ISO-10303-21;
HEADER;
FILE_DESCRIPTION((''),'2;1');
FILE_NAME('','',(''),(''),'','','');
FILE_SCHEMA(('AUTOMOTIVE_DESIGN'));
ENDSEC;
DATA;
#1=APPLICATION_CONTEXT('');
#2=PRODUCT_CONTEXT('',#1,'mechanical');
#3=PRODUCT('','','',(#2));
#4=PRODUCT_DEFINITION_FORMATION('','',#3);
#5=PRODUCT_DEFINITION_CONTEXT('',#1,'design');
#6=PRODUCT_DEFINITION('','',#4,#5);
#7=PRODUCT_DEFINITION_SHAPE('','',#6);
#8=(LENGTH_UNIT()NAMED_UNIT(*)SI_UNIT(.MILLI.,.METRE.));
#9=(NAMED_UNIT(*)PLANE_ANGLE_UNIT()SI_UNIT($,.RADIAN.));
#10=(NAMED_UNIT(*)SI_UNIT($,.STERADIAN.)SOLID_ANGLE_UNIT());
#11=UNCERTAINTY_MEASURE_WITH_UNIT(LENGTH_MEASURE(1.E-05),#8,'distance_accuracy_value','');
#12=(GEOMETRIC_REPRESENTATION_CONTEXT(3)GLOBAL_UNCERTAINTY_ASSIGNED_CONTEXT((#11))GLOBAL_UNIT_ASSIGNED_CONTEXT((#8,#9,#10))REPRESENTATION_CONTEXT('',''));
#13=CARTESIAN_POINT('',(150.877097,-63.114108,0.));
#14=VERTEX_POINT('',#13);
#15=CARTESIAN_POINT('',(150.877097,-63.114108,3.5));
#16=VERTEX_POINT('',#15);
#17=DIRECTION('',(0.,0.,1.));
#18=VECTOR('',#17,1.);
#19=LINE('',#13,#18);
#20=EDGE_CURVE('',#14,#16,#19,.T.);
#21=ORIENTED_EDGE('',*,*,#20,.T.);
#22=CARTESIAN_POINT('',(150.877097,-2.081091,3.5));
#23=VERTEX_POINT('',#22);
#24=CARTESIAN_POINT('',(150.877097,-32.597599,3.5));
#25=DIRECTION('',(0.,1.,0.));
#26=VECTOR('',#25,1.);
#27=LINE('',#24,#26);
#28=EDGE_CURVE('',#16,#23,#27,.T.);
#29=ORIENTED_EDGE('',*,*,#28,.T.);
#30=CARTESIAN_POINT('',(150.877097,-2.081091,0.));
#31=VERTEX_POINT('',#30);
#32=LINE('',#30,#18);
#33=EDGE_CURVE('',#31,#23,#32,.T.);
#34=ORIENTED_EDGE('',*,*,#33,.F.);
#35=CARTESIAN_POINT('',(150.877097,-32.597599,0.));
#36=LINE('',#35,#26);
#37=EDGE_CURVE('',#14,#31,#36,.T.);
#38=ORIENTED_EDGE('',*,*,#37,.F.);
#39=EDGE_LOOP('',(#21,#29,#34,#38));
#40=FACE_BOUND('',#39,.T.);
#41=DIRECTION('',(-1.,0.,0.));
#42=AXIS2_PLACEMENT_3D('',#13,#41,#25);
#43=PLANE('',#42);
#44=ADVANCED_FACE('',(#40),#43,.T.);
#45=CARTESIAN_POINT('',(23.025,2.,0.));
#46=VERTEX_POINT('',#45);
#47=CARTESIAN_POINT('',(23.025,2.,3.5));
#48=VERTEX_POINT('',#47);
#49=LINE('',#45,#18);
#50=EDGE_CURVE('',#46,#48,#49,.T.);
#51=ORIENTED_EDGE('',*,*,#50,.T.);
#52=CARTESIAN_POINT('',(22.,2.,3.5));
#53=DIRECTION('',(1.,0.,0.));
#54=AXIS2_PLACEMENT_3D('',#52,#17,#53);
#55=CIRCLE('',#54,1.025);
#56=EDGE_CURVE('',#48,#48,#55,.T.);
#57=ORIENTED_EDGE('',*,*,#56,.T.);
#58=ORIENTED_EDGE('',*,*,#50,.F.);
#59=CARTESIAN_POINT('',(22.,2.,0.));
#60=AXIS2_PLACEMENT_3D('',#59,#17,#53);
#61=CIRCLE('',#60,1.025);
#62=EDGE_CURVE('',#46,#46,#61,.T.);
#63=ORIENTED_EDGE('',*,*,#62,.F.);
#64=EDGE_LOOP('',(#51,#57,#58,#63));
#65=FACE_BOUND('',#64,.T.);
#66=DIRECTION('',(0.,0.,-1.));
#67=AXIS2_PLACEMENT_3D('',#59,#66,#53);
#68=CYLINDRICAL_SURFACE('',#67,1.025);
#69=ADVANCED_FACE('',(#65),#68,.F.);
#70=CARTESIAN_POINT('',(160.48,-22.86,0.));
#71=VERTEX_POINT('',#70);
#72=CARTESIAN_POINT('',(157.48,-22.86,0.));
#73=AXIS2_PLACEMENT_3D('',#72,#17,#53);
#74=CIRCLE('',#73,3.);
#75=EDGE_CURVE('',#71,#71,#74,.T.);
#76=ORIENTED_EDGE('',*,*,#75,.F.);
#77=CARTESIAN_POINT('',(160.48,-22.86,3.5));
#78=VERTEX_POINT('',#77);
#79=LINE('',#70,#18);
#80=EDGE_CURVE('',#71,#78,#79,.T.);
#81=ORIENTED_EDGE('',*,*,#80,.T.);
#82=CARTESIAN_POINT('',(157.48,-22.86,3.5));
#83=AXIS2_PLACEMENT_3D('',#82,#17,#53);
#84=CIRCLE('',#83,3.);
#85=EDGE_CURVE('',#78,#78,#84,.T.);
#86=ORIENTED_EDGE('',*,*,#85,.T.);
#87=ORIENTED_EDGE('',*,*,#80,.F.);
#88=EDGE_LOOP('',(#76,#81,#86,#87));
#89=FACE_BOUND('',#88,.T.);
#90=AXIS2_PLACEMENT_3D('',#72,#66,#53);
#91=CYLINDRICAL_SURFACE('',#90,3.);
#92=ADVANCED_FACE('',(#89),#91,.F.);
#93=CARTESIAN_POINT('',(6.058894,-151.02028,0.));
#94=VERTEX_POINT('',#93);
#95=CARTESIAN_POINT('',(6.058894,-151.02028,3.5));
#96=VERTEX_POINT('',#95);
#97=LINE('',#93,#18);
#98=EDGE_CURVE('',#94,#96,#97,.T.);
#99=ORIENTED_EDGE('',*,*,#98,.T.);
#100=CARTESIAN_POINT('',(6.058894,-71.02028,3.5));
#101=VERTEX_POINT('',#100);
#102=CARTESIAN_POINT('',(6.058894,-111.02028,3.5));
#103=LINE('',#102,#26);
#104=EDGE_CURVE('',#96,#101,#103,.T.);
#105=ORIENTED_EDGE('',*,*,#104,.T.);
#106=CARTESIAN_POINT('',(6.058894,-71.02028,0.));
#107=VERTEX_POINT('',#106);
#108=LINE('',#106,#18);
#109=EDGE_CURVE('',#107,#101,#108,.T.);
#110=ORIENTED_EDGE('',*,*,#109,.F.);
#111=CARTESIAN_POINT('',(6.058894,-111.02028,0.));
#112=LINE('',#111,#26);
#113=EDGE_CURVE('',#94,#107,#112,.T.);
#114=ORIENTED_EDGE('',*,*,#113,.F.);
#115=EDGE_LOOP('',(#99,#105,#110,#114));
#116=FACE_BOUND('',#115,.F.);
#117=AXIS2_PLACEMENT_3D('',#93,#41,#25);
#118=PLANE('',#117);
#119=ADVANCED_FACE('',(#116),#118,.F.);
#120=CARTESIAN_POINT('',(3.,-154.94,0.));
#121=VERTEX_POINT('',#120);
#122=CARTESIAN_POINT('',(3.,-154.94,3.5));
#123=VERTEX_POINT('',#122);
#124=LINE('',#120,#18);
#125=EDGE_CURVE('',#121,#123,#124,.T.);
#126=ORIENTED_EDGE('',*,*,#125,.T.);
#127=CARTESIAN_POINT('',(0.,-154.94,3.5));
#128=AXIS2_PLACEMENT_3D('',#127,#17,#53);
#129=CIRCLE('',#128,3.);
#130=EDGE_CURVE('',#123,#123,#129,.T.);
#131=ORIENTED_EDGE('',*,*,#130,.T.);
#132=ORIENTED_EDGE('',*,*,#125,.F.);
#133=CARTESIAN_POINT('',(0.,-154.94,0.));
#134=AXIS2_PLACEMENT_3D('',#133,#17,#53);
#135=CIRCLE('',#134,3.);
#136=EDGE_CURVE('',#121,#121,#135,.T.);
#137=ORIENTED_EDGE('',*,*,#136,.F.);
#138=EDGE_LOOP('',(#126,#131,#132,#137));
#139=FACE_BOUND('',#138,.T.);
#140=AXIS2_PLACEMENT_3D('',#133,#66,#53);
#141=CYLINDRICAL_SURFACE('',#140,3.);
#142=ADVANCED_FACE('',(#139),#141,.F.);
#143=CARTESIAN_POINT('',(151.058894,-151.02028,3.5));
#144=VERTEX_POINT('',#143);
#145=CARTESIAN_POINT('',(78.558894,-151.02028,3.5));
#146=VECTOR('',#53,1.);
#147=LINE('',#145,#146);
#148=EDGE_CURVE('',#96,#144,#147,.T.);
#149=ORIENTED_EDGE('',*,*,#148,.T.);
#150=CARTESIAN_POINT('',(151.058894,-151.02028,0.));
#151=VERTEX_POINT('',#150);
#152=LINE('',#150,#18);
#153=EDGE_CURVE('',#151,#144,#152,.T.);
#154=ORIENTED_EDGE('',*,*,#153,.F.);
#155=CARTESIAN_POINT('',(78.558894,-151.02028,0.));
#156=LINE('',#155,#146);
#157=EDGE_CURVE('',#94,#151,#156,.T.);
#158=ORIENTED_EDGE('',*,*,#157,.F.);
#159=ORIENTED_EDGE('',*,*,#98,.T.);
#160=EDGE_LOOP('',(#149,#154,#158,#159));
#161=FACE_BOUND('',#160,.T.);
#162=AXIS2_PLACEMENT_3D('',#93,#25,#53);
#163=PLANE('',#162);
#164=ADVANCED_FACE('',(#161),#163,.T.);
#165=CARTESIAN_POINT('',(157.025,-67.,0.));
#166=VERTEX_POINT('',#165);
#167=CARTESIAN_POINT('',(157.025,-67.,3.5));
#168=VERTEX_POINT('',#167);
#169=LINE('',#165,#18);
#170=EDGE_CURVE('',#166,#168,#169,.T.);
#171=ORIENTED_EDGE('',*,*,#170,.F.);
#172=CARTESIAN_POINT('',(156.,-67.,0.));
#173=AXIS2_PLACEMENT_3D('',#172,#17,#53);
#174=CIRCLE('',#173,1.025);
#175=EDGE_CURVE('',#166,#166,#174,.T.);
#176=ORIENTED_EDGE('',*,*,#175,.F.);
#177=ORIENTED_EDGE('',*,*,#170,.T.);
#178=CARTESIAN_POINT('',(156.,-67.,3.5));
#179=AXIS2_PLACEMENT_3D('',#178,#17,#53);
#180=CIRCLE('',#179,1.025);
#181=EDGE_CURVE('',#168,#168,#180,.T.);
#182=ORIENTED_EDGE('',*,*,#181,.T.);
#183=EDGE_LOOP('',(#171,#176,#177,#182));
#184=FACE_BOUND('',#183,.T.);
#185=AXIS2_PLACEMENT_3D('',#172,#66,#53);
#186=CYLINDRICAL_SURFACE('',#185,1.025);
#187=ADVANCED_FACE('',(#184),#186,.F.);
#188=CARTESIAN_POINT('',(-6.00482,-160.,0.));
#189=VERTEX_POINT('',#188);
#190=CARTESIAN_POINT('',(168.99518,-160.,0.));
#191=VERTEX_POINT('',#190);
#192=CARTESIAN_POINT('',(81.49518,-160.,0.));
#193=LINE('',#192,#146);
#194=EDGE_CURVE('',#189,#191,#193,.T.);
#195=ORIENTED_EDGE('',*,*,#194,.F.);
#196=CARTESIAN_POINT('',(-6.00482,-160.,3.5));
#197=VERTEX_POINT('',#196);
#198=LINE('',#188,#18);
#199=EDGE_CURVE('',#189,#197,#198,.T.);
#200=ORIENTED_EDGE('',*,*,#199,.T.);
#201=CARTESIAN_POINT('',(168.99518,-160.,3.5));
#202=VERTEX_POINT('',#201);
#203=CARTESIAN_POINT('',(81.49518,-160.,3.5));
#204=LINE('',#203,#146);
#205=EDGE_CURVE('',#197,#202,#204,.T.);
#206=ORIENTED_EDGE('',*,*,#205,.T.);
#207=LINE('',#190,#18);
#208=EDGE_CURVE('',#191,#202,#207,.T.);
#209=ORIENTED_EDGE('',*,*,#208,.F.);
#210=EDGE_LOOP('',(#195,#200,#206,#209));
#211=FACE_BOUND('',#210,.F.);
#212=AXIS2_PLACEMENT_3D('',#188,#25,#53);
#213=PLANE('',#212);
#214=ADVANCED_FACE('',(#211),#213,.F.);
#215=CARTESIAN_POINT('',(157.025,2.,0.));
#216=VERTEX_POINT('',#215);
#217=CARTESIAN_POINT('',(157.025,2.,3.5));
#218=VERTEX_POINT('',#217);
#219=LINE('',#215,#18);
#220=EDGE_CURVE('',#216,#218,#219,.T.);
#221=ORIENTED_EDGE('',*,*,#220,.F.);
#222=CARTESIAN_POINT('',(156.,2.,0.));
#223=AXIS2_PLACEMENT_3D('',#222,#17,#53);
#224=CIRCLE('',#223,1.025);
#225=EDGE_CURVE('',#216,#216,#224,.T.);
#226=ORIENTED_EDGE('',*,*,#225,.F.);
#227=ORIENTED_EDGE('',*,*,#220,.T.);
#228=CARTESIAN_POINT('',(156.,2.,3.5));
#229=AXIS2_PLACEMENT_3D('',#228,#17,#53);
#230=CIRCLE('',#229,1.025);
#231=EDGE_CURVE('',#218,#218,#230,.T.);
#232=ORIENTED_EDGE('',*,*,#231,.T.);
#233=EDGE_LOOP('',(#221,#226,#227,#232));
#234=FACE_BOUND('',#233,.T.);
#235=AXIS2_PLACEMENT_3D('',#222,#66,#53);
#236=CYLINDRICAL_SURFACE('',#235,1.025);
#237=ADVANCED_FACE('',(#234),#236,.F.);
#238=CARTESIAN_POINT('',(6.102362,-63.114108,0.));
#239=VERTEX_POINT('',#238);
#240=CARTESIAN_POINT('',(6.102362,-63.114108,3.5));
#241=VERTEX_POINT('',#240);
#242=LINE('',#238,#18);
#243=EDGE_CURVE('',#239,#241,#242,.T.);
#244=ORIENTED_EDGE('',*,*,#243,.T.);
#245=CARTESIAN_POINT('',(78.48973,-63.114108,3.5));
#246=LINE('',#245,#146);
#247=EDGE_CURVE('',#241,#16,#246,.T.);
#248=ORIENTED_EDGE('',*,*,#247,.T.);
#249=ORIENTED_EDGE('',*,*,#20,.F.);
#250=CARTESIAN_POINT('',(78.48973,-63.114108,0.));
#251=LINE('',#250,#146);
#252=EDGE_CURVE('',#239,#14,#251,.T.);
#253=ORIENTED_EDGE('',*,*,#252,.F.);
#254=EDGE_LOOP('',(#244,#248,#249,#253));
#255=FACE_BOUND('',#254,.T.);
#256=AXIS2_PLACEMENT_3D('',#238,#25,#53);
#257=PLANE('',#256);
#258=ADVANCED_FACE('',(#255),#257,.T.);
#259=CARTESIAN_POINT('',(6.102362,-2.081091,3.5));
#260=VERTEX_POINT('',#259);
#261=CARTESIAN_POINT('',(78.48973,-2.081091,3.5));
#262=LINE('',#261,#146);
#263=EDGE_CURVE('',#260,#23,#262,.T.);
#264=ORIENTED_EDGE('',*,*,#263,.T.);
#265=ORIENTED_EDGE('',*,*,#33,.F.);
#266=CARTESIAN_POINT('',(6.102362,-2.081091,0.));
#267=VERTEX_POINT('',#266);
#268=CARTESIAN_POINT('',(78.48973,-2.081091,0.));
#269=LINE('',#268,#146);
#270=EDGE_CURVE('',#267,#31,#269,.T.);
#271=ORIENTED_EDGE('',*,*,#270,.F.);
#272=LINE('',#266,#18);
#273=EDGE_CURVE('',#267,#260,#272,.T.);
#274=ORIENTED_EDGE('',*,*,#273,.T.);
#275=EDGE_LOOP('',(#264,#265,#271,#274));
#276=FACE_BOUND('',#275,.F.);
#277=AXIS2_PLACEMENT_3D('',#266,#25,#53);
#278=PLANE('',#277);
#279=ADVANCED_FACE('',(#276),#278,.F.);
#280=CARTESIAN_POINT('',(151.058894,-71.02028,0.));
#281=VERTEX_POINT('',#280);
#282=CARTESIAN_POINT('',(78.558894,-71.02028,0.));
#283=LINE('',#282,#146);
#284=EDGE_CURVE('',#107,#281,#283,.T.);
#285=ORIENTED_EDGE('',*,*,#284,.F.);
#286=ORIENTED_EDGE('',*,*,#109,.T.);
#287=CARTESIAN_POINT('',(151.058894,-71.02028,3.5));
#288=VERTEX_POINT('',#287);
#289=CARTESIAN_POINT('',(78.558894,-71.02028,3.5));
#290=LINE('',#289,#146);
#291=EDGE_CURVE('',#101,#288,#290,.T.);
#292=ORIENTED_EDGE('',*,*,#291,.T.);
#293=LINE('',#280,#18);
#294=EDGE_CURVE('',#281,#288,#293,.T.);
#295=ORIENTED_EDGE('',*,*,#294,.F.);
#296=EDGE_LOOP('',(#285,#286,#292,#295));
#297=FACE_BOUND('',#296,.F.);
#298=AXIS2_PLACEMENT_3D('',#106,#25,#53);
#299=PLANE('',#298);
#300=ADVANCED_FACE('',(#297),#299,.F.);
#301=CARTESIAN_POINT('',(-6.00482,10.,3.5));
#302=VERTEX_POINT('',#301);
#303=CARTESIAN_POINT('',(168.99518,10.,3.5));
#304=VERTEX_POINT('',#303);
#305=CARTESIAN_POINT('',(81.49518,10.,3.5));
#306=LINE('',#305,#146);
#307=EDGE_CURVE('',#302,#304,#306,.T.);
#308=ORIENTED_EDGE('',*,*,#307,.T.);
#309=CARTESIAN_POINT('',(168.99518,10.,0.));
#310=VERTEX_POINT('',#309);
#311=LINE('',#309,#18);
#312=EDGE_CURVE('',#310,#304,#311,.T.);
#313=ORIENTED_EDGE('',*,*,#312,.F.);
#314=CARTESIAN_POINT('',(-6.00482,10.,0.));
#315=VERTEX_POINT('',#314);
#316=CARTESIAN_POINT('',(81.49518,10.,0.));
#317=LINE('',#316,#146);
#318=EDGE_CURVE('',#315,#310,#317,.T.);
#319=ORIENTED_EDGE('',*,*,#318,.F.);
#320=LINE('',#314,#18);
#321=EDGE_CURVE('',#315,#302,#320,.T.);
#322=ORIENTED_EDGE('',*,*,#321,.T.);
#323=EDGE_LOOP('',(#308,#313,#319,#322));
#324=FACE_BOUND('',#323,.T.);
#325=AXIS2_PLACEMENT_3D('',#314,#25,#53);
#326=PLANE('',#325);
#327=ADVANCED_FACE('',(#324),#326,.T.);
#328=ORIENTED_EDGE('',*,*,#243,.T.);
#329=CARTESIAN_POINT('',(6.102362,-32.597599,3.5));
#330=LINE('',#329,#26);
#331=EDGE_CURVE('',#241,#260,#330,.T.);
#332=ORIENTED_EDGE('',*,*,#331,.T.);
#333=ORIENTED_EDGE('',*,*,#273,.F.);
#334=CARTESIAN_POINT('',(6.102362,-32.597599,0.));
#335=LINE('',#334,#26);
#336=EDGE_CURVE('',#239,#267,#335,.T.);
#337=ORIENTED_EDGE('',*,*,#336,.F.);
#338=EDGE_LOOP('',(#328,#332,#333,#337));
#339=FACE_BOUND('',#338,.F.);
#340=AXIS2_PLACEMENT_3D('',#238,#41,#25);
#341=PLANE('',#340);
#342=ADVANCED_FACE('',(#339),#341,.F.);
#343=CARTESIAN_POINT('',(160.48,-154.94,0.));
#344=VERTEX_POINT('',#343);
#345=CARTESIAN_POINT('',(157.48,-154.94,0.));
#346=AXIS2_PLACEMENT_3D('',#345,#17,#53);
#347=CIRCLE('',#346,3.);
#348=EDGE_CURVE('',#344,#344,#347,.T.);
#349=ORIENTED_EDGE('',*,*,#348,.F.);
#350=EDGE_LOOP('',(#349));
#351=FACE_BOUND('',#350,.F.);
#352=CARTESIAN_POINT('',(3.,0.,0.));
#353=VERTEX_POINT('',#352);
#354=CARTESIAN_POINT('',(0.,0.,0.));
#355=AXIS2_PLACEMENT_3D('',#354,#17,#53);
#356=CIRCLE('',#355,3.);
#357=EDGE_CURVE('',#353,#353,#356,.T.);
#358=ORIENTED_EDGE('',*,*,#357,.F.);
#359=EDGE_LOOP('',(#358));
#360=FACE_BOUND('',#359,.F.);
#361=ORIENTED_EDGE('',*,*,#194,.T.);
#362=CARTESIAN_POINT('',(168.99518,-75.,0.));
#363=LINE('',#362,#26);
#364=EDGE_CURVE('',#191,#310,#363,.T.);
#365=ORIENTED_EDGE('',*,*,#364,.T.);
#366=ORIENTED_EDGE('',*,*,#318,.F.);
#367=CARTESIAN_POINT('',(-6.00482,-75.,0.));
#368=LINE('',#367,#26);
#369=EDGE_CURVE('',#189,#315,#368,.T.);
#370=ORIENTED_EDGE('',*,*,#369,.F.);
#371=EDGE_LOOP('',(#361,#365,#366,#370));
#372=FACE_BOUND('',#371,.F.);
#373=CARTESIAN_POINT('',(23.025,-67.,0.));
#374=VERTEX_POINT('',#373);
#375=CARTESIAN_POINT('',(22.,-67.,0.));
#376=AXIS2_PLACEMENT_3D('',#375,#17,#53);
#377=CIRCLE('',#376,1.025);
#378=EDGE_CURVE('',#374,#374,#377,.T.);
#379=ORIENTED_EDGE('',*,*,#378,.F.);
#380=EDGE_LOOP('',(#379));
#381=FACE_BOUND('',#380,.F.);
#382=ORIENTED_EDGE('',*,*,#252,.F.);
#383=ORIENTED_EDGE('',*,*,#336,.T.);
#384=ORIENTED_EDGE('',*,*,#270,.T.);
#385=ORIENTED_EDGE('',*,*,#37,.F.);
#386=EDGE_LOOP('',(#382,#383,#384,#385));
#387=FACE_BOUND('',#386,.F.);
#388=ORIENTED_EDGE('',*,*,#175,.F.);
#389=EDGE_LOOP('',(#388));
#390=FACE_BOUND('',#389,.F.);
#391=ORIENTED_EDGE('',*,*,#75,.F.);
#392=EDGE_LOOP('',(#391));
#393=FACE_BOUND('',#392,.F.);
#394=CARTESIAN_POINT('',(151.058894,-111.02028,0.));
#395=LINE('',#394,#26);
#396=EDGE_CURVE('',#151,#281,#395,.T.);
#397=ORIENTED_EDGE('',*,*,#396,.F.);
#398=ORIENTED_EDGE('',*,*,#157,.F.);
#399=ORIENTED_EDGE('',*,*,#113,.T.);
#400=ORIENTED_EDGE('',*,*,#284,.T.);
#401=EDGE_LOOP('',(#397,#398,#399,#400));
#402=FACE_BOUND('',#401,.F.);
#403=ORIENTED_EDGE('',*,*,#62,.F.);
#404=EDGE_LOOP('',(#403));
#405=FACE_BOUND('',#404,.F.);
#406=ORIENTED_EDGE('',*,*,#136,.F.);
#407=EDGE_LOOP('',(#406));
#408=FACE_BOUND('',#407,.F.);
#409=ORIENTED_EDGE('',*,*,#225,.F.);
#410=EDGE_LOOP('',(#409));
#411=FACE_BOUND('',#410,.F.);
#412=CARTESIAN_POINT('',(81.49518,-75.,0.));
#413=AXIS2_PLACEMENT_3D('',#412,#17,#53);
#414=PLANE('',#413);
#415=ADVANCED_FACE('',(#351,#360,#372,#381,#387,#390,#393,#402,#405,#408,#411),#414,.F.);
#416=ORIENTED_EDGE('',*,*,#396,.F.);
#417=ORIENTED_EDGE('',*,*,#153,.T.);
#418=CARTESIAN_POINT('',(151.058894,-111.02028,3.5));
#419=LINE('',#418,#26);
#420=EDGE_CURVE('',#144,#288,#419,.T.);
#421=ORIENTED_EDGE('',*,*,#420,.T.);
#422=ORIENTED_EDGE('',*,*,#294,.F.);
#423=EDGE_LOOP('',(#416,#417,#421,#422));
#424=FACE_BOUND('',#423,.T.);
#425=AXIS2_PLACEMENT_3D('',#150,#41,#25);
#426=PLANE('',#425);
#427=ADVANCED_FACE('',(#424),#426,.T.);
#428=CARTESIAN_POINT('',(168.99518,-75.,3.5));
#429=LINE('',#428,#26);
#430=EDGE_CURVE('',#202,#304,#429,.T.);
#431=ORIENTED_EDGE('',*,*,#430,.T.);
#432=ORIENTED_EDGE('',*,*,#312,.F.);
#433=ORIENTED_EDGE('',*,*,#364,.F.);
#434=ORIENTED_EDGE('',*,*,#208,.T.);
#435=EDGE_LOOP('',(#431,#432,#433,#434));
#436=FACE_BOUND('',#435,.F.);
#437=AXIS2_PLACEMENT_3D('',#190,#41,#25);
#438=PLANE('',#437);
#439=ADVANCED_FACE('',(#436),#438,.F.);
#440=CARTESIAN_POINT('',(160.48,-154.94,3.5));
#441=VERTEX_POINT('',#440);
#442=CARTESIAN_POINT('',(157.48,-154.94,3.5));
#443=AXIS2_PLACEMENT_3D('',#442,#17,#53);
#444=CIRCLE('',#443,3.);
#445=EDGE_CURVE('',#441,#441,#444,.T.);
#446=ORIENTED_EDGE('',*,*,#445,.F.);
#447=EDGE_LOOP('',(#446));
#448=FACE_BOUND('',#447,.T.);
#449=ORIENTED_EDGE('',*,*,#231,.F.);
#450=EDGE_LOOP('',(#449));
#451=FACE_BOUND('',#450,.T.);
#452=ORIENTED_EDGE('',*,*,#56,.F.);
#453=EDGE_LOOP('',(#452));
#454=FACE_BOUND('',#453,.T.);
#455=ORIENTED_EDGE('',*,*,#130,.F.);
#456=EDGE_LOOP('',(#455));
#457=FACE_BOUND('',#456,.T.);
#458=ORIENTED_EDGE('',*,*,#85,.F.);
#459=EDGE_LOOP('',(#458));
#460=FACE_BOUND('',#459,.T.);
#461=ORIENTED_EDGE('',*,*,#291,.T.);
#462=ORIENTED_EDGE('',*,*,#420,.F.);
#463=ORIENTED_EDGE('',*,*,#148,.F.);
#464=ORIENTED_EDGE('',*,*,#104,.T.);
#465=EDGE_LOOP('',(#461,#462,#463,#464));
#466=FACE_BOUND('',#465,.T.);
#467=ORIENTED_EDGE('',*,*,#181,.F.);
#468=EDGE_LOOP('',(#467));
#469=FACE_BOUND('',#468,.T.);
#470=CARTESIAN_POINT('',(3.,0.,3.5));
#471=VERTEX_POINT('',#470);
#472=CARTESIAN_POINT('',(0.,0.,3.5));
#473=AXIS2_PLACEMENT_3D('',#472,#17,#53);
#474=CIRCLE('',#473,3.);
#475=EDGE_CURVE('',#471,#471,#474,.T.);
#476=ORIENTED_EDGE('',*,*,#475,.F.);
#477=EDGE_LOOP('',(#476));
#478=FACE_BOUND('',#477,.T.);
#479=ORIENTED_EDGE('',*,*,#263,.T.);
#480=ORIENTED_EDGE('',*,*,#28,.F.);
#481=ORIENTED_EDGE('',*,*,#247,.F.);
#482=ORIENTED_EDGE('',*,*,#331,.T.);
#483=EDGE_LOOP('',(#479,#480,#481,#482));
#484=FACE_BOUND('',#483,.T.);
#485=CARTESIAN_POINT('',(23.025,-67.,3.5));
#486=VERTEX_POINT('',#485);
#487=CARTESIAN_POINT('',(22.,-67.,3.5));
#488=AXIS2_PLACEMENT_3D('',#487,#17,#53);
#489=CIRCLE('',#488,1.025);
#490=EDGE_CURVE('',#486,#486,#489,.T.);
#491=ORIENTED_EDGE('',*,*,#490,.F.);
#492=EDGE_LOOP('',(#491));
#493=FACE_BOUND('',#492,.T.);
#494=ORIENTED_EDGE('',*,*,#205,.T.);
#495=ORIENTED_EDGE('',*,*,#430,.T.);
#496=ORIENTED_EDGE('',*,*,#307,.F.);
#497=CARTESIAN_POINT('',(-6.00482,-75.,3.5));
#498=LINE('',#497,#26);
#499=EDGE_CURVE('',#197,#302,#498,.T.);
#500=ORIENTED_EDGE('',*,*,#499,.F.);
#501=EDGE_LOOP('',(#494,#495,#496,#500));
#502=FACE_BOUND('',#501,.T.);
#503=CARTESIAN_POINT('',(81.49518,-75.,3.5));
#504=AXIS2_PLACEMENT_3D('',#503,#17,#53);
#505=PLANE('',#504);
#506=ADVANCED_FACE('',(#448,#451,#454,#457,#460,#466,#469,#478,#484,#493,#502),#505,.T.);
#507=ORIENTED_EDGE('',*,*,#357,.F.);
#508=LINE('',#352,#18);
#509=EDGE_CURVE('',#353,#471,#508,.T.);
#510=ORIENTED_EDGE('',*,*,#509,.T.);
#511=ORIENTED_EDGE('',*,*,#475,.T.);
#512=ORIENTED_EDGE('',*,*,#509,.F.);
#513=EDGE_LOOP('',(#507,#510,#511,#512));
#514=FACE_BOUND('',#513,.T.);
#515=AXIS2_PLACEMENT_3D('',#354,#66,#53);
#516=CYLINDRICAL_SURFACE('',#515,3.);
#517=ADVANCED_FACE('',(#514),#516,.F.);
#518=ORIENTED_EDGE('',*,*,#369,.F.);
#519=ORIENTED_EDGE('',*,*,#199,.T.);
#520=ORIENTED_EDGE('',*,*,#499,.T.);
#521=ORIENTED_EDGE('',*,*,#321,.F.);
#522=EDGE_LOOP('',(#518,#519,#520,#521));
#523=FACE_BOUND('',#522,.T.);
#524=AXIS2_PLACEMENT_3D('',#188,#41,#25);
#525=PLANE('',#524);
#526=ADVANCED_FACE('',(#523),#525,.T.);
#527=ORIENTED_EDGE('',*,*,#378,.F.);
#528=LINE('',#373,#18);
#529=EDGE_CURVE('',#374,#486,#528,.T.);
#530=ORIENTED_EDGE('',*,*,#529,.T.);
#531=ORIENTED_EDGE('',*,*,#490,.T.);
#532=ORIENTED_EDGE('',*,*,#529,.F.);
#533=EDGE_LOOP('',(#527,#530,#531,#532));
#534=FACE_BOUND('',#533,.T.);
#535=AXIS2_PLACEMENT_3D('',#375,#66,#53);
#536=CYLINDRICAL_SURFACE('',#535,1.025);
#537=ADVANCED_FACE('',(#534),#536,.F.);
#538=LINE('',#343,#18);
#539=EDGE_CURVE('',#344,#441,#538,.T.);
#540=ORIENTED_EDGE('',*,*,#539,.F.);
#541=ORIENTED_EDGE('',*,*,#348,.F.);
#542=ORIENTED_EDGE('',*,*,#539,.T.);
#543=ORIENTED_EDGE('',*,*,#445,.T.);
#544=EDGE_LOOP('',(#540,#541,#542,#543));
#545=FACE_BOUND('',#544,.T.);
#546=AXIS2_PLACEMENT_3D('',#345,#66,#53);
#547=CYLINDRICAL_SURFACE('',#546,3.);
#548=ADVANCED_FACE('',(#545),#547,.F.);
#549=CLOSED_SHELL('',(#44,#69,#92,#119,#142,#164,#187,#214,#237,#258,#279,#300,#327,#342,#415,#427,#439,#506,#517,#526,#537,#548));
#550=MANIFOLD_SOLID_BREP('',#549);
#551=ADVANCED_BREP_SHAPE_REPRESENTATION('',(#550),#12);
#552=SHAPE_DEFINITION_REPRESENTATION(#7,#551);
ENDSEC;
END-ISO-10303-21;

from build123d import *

# Parameters (mm, degrees)
SKETCH_W   = 175
SKETCH_H   = 170
SKETCH_R   = 3
SKETCH_R_2 = 1.025
SKETCH_W_2 = 145
SKETCH_H_2 = 80
SKETCH_W_3 = 144.774735
SKETCH_H_3 = 61.033017
PAD_DEPTH  = 3.5


with BuildPart() as part:
    # Sketch → Pad (new body)
    with BuildSketch(Plane.XY):
        with Locations((81.49518, -75)):
            Rectangle(SKETCH_W, SKETCH_H)
        Circle(SKETCH_R, mode=Mode.SUBTRACT)
        with Locations((0, -154.94)):
            Circle(SKETCH_R, mode=Mode.SUBTRACT)
        with Locations((157.48, -22.86)):
            Circle(SKETCH_R, mode=Mode.SUBTRACT)
        with Locations((157.48, -154.94)):
            Circle(SKETCH_R, mode=Mode.SUBTRACT)
        with Locations((22, 2)):
            Circle(SKETCH_R_2, mode=Mode.SUBTRACT)
        with Locations((156, 2)):
            Circle(SKETCH_R_2, mode=Mode.SUBTRACT)
        with Locations((22, -67)):
            Circle(SKETCH_R_2, mode=Mode.SUBTRACT)
        with Locations((156, -67)):
            Circle(SKETCH_R_2, mode=Mode.SUBTRACT)
        with Locations((78.558894, -111.02028)):
            Rectangle(SKETCH_W_2, SKETCH_H_2, mode=Mode.SUBTRACT)
        with Locations((78.48973, -32.597599)):
            Rectangle(SKETCH_W_3, SKETCH_H_3, mode=Mode.SUBTRACT)
    extrude(amount=PAD_DEPTH)


solid = part.part
